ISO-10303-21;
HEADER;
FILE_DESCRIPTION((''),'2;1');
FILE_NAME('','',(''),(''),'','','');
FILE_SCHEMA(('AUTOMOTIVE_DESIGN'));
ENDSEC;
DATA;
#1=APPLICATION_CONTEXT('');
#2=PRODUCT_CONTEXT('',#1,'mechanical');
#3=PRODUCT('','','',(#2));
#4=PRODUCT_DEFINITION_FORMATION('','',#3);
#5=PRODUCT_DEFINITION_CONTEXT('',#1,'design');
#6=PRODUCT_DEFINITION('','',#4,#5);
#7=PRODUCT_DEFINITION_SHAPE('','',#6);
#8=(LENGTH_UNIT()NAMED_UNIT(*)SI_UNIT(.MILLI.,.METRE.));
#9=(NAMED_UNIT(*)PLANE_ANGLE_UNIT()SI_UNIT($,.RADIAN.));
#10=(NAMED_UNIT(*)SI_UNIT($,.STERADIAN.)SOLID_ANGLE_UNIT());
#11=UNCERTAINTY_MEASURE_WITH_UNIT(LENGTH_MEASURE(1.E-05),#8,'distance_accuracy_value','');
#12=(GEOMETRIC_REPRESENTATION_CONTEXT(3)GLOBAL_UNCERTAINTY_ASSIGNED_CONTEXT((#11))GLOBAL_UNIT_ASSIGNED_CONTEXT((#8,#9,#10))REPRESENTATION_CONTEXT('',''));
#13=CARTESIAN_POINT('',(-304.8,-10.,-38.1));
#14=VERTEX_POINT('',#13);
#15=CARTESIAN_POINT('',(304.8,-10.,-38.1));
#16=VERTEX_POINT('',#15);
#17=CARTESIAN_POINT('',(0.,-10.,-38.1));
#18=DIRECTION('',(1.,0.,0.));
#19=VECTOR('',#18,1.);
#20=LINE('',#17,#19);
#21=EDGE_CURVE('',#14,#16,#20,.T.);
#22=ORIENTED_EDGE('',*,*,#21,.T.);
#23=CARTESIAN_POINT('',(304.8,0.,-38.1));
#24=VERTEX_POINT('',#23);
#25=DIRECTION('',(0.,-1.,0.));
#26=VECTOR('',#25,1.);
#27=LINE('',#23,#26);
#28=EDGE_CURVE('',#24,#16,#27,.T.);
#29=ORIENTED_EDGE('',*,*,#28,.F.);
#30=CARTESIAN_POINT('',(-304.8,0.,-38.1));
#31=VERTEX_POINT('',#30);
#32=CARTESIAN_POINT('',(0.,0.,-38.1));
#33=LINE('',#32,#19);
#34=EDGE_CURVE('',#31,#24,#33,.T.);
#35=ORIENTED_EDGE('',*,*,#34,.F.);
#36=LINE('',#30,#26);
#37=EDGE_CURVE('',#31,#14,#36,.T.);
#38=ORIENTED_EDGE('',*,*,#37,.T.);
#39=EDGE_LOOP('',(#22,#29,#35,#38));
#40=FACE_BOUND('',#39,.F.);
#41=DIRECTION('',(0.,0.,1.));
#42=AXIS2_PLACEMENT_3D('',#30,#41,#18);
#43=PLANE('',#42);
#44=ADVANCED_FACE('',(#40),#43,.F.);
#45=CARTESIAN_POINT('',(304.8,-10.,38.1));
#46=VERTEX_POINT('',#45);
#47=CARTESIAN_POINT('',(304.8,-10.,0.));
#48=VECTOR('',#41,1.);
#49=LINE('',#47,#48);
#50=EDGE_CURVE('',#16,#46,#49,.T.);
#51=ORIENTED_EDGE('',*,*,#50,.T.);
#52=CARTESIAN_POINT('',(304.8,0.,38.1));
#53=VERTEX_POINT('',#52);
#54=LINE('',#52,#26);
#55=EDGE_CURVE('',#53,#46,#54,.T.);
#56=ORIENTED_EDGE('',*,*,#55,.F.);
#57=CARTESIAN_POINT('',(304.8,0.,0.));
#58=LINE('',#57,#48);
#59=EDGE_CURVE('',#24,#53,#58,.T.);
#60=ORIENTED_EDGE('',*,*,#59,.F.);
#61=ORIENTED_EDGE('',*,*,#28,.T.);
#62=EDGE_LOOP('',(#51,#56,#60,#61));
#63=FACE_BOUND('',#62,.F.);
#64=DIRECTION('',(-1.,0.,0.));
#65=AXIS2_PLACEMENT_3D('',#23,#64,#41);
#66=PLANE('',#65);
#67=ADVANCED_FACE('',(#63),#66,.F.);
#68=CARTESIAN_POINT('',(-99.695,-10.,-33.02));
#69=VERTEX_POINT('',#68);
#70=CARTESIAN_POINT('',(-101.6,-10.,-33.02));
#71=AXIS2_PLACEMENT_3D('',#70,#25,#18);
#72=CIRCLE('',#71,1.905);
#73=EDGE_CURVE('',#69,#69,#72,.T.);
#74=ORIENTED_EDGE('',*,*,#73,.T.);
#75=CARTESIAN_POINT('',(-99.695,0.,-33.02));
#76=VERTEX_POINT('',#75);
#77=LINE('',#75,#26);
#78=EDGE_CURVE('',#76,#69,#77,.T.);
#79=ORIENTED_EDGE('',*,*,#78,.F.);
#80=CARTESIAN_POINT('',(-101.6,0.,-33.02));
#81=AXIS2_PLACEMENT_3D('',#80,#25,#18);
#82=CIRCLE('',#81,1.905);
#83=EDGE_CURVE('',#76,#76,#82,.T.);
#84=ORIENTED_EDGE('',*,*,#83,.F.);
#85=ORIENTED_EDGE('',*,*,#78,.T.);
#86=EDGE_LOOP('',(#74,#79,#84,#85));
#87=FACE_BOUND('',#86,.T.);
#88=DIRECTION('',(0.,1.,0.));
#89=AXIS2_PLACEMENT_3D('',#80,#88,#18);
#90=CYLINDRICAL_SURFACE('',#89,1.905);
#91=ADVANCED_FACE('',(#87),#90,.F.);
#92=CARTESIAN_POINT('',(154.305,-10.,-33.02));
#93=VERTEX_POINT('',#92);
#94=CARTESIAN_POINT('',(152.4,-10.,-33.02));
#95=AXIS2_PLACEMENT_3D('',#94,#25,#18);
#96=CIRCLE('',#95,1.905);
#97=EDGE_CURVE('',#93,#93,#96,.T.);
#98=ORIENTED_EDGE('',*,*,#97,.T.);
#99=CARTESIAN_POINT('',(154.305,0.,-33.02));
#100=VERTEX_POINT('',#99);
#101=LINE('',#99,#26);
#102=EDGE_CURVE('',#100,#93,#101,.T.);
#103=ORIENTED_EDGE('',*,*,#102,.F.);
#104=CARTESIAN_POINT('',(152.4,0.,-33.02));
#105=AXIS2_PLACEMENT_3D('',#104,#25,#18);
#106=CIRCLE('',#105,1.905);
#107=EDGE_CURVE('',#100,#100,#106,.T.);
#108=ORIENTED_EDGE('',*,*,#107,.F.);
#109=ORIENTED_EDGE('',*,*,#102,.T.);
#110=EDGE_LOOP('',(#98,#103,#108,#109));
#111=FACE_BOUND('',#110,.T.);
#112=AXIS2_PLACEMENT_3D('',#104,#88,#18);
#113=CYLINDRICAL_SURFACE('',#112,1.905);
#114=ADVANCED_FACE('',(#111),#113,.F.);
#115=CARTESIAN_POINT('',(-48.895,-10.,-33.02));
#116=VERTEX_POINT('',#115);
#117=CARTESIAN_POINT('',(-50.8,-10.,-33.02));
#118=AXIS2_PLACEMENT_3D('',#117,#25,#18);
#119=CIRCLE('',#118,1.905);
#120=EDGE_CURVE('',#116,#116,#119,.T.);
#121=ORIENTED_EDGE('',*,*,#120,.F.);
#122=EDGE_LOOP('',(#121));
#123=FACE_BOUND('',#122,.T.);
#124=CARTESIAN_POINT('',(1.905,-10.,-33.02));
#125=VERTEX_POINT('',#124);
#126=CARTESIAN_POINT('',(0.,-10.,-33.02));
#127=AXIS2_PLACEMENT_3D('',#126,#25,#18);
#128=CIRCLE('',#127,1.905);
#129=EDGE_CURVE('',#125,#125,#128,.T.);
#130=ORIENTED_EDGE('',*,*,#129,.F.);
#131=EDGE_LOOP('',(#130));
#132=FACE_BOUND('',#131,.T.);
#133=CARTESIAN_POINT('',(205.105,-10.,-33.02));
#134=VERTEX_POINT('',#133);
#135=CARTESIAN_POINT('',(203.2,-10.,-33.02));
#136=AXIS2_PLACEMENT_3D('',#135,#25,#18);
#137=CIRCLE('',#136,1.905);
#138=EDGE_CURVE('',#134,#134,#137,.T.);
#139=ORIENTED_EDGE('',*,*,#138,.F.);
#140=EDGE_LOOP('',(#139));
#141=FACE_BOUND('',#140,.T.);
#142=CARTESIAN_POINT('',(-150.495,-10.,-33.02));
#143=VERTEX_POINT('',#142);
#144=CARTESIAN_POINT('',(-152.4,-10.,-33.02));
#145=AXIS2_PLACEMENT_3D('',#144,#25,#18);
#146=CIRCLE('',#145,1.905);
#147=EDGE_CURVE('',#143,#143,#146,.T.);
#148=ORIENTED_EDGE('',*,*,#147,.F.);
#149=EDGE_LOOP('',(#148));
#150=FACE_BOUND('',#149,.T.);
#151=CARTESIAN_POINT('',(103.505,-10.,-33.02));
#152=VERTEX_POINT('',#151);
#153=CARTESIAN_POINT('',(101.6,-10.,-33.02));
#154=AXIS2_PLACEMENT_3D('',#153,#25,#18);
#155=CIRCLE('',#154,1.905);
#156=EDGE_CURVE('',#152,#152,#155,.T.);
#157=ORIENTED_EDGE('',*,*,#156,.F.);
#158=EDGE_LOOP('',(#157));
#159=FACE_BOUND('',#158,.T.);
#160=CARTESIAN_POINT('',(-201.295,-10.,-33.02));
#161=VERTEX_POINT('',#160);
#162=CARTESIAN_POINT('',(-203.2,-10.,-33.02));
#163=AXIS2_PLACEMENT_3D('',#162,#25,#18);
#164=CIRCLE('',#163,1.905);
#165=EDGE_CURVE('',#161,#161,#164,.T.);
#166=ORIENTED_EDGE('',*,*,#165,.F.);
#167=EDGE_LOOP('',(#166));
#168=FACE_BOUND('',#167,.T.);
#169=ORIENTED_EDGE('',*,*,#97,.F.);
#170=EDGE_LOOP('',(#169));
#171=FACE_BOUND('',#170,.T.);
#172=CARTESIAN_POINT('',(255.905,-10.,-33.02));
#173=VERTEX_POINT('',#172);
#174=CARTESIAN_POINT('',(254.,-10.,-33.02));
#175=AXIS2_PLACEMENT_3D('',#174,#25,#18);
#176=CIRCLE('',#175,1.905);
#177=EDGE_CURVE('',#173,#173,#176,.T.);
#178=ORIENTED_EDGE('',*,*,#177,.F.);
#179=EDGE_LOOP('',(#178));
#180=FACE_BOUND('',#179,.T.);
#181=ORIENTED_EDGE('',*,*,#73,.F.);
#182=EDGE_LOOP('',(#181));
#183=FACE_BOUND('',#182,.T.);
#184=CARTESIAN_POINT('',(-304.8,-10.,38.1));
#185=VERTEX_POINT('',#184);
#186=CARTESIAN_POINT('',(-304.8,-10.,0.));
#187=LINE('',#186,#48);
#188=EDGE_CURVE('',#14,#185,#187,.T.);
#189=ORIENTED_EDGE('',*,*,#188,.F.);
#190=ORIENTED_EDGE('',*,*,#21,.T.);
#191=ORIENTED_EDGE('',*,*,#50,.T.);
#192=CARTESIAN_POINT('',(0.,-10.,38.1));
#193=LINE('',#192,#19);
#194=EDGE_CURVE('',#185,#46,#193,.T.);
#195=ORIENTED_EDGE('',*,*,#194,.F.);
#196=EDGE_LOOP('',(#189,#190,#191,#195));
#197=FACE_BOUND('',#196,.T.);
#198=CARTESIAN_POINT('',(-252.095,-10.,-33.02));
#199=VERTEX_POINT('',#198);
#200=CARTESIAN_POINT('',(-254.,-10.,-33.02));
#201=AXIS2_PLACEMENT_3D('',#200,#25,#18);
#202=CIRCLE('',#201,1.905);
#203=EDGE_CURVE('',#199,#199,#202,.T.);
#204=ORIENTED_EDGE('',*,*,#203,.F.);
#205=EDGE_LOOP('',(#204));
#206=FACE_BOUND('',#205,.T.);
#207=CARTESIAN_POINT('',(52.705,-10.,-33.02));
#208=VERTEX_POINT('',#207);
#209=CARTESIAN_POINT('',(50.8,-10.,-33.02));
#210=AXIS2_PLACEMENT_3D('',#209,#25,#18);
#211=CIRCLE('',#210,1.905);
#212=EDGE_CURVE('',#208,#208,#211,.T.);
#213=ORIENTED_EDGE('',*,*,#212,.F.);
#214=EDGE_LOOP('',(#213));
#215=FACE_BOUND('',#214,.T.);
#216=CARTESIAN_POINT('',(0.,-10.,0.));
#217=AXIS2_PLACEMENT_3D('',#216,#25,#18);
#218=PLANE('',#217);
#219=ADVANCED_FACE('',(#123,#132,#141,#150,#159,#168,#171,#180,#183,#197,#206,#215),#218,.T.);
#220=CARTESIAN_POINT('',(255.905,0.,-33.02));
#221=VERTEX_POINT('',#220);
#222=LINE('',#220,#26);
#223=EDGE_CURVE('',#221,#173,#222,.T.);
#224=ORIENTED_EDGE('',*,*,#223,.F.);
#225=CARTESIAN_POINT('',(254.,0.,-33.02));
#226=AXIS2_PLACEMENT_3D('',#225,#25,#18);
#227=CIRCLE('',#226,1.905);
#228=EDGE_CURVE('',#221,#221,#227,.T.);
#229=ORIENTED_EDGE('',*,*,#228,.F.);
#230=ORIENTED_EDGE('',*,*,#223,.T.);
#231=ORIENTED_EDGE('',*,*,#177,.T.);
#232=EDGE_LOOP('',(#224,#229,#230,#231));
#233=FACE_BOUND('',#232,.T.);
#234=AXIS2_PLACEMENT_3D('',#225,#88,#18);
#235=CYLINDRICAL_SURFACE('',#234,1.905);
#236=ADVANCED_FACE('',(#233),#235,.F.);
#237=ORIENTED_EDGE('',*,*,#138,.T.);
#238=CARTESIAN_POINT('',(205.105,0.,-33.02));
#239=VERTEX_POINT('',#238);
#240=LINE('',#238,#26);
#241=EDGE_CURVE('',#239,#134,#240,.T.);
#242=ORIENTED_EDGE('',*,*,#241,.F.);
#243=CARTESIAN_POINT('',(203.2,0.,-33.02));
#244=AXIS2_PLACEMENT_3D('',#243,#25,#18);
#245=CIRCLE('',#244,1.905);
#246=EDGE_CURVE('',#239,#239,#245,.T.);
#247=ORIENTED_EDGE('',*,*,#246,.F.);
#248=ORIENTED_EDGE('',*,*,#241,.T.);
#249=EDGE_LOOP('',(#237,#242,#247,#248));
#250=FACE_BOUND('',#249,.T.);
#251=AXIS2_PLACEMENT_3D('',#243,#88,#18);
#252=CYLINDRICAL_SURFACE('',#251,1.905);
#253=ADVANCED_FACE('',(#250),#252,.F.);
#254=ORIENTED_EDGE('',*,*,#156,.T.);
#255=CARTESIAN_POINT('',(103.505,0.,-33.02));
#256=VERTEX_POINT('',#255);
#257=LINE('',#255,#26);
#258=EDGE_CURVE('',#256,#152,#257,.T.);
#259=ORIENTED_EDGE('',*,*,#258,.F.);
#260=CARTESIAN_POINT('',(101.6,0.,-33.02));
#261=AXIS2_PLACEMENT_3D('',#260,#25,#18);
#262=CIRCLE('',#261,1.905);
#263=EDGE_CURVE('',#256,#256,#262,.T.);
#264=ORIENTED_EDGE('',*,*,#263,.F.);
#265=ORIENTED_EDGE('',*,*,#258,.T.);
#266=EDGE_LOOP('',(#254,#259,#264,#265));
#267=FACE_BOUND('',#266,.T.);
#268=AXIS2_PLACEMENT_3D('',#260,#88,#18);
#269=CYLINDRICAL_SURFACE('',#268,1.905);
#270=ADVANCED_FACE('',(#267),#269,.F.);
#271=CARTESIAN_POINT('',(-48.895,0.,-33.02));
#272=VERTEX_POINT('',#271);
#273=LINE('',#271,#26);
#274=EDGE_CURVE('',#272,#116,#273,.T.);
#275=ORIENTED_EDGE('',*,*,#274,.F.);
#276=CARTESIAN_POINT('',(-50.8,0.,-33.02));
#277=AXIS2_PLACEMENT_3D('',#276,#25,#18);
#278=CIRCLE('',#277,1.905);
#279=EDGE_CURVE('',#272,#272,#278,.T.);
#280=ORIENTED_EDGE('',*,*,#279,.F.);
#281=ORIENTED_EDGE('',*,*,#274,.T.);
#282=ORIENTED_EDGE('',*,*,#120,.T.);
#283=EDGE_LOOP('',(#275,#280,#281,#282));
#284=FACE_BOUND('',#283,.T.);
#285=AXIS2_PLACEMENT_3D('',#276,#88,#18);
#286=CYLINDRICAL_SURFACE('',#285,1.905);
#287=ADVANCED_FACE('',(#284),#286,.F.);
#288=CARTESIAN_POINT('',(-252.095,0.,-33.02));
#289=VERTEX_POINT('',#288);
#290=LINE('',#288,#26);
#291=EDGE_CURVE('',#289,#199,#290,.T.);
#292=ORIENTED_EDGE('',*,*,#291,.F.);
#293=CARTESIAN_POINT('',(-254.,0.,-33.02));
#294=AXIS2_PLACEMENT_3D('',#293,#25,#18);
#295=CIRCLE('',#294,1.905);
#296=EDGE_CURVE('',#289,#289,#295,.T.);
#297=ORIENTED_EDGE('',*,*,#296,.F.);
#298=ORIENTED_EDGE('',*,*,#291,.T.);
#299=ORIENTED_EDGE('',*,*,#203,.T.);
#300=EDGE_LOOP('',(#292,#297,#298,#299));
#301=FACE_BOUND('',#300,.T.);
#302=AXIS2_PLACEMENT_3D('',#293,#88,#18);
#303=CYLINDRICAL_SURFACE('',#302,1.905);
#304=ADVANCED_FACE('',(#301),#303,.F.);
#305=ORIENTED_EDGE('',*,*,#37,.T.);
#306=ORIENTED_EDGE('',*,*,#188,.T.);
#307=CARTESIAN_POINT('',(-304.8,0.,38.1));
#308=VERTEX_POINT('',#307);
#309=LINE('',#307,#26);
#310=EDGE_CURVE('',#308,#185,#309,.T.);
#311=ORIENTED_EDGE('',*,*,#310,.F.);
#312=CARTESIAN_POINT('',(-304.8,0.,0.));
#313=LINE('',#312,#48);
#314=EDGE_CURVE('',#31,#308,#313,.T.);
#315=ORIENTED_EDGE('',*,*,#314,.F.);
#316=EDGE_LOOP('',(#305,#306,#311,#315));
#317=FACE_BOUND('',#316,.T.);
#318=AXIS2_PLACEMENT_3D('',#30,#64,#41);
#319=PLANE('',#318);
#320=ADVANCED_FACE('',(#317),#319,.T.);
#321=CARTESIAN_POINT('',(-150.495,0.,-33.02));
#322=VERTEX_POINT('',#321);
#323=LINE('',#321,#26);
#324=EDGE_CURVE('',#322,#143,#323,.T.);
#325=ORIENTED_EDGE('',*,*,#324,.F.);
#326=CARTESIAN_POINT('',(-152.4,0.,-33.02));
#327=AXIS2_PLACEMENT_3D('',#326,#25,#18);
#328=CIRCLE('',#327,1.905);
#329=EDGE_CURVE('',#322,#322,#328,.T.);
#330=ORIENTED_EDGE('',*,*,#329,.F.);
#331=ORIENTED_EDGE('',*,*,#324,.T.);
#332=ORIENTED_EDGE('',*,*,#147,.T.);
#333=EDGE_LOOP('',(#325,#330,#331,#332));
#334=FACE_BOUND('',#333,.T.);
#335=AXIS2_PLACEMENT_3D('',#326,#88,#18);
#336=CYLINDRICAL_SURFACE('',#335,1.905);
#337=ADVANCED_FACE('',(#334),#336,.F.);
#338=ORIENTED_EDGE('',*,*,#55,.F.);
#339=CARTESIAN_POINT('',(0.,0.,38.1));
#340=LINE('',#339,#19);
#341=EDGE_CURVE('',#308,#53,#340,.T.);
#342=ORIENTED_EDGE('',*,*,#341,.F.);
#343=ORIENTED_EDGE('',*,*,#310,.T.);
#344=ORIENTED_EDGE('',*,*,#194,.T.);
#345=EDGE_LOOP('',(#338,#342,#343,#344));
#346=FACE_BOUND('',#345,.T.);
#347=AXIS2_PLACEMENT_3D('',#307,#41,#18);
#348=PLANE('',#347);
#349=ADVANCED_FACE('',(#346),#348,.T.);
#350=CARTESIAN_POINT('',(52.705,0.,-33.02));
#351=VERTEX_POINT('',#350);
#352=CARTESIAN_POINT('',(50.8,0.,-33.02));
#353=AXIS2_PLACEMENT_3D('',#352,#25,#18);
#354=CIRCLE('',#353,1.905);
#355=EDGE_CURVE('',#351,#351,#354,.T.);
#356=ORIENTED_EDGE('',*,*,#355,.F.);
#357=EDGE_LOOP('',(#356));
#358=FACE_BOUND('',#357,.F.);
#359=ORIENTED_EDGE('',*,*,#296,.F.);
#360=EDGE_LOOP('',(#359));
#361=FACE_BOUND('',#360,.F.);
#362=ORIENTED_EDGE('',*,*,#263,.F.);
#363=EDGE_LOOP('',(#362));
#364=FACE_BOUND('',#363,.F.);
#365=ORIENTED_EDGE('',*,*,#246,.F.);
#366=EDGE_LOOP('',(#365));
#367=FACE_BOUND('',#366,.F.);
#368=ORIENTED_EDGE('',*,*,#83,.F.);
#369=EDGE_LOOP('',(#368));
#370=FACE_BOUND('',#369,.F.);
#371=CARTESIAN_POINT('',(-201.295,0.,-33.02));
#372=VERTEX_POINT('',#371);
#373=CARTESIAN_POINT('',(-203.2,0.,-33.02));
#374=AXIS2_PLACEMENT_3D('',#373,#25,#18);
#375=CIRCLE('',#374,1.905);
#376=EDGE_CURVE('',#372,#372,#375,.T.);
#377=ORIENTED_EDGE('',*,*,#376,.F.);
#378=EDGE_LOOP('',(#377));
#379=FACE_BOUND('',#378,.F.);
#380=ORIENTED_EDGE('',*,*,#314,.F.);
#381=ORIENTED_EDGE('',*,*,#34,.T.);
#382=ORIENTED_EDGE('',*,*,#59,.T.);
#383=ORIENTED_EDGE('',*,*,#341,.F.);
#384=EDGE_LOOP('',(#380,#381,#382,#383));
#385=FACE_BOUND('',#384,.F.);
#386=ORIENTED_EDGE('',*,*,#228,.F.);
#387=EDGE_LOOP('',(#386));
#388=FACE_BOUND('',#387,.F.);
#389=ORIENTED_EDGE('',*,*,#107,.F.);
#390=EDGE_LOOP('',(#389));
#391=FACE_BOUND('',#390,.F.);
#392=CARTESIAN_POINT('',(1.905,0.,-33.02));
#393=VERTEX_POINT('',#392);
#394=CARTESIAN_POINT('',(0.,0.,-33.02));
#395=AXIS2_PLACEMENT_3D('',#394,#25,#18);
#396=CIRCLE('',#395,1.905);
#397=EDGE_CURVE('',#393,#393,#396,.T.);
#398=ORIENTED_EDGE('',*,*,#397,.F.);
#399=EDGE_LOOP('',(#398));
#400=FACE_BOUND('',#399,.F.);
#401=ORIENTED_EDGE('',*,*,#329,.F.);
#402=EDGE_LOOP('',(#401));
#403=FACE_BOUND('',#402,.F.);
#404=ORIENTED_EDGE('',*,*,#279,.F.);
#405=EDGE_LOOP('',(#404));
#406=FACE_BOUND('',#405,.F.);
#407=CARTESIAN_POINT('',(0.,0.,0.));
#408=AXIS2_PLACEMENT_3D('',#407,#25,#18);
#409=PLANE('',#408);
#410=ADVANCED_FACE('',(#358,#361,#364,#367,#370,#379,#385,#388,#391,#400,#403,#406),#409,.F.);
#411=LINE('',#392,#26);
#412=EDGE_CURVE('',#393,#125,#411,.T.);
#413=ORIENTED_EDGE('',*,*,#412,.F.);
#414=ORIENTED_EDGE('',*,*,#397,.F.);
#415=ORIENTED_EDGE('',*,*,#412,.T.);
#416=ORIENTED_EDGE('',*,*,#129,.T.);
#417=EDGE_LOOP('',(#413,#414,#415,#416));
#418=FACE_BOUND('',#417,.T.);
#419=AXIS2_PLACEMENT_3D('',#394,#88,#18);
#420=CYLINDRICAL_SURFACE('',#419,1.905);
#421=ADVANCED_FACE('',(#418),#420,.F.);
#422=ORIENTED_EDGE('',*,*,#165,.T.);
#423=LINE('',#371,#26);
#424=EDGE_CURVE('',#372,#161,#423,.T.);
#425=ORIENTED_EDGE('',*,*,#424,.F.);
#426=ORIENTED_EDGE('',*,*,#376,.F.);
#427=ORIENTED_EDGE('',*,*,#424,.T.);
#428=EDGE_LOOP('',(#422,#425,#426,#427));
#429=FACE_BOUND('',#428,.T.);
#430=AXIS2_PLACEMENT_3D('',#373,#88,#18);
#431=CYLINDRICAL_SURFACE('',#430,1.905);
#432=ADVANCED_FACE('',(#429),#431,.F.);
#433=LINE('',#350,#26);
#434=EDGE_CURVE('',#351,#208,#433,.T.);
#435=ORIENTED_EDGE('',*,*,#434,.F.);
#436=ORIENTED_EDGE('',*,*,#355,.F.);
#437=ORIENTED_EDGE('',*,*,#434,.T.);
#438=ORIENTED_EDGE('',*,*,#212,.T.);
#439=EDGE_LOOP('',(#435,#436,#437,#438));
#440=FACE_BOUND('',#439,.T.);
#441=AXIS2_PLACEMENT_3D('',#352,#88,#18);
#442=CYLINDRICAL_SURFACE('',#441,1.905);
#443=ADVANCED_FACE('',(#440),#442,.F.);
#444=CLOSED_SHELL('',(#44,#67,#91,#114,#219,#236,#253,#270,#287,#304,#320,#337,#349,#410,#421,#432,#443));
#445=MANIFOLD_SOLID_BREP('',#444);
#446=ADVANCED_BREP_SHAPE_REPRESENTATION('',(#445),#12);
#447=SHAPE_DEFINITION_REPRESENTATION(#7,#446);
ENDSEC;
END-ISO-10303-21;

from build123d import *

# Parameters (mm, degrees)
F0_W     = 609.6
F0_H     = 76.2
F0_R     = 1.905
F1_DEPTH = 10


with BuildPart() as f1:
    # F0 (on Front) → F1 (new body)
    with BuildSketch(Plane.XZ):
        Rectangle(F0_W, F0_H)
        with Locations((-254, -33.02)):
            Circle(F0_R, mode=Mode.SUBTRACT)
        with Locations((-203.2, -33.02)):
            Circle(F0_R, mode=Mode.SUBTRACT)
        with Locations((-152.4, -33.02)):
            Circle(F0_R, mode=Mode.SUBTRACT)
        with Locations((-101.6, -33.02)):
            Circle(F0_R, mode=Mode.SUBTRACT)
        with Locations((-50.8, -33.02)):
            Circle(F0_R, mode=Mode.SUBTRACT)
        with Locations((0, -33.02)):
            Circle(F0_R, mode=Mode.SUBTRACT)
        with Locations((50.8, -33.02)):
            Circle(F0_R, mode=Mode.SUBTRACT)
        with Locations((101.6, -33.02)):
            Circle(F0_R, mode=Mode.SUBTRACT)
        with Locations((152.4, -33.02)):
            Circle(F0_R, mode=Mode.SUBTRACT)
        with Locations((203.2, -33.02)):
            Circle(F0_R, mode=Mode.SUBTRACT)
        with Locations((254, -33.02)):
            Circle(F0_R, mode=Mode.SUBTRACT)
    extrude(amount=F1_DEPTH)


solid = f1.part
